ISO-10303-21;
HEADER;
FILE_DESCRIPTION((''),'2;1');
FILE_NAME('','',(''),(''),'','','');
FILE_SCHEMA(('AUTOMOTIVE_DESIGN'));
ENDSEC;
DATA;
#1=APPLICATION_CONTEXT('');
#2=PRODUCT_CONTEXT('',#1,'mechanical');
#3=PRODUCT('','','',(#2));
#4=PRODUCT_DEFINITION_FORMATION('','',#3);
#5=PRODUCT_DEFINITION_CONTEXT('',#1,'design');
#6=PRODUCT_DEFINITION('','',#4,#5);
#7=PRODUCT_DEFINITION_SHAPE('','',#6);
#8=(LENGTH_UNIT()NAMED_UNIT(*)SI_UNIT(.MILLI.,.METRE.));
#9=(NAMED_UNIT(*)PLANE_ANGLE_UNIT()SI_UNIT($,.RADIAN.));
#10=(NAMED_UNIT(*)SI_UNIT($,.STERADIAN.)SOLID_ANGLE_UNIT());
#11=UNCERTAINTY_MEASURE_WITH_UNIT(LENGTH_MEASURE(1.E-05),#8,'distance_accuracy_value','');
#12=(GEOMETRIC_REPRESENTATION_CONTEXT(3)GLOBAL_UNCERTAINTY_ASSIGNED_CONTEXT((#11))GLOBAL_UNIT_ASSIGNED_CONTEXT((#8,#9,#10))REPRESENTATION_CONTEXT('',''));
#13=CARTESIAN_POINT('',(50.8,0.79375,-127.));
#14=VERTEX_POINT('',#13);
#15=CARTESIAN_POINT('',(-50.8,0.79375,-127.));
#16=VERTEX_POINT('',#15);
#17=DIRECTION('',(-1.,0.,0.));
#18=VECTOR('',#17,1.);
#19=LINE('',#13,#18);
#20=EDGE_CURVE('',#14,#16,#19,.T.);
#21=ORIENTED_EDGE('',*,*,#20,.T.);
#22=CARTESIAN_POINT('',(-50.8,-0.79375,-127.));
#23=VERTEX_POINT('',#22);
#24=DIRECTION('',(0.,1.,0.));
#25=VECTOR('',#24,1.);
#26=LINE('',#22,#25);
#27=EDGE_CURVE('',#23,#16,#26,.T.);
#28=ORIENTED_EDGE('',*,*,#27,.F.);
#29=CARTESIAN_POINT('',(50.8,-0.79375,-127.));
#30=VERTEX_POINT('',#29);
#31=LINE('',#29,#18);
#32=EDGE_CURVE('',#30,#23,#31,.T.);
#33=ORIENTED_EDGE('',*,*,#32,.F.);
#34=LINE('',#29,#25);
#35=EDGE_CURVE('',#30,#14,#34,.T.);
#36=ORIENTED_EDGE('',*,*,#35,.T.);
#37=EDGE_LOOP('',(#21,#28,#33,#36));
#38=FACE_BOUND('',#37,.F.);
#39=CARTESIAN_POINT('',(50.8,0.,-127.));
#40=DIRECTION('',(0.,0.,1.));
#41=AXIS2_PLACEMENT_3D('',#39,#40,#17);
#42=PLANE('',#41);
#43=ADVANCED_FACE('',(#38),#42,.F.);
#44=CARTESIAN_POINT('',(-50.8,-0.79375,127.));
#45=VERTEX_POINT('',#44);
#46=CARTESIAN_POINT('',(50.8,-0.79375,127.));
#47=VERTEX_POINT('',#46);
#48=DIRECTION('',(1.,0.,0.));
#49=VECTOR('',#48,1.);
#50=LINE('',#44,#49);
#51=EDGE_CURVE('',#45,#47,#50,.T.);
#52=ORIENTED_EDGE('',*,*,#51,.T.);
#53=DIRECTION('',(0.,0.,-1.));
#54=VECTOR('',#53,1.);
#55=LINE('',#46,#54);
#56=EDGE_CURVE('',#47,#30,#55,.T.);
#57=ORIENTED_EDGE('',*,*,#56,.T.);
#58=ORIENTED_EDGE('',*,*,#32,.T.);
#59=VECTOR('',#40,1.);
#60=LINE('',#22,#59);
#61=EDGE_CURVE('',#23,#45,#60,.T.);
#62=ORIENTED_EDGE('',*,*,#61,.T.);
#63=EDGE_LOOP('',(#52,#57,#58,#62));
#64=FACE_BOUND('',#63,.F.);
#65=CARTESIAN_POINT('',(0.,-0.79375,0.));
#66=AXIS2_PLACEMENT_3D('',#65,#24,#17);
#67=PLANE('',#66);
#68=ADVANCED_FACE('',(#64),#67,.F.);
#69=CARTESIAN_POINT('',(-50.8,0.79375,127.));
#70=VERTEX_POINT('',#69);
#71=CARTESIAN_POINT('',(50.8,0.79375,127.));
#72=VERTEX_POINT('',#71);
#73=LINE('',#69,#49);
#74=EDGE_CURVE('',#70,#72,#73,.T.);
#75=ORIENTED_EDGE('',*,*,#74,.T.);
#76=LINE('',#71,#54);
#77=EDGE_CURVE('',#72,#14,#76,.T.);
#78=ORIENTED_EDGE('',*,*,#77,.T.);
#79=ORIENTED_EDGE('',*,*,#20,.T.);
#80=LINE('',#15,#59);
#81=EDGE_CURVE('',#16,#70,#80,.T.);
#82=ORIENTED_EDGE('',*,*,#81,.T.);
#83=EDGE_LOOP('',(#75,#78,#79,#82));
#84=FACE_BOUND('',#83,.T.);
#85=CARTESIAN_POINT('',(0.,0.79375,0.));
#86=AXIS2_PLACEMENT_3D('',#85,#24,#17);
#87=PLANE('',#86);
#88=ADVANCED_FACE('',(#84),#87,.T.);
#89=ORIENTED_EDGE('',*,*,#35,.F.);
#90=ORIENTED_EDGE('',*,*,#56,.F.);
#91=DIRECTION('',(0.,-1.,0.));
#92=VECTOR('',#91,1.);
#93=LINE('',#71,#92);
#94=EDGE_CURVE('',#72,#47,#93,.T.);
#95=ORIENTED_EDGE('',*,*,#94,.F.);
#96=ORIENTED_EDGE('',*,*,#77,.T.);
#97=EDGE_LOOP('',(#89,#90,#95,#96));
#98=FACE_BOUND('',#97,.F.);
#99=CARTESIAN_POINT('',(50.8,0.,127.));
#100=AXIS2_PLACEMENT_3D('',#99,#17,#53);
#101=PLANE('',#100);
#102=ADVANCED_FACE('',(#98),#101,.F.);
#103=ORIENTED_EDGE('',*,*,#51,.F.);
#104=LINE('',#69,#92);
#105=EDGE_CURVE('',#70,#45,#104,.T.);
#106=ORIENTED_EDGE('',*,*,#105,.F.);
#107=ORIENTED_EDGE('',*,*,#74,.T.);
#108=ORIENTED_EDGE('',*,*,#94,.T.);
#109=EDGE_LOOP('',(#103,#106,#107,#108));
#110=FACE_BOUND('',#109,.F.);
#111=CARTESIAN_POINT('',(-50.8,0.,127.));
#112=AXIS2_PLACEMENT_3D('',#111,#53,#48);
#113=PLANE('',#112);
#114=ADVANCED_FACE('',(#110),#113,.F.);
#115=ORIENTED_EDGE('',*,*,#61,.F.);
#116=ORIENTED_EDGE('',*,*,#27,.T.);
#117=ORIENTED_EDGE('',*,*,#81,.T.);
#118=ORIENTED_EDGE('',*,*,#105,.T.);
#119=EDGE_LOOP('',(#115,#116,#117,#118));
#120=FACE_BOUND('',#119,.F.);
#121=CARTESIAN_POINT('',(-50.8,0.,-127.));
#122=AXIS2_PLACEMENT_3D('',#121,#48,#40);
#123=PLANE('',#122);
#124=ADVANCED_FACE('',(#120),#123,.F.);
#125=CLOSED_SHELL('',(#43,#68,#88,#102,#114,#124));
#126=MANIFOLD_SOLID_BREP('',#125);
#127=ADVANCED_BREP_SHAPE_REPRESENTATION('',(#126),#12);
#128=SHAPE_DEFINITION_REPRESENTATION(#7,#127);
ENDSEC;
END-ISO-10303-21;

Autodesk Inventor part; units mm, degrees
ref_plane "YZ Plane" through (0, 0, 0) normal (1, 0, 0) x (0, 1, 0)
ref_plane "XZ Plane" through (0, 0, 0) normal (0, 1, 0) x (-1, 0, 0)
ref_plane "XY Plane" through (0, 0, 0) normal (0, 0, 1) x (1, 0, 0)
sketch "Sketch1" plane through (0, 0, 0) normal (0, 1, 0) x (-1, 0, 0)
  line L0 (-50.8, -127) -> (50.8, -127)
  line L1 (50.8, -127) -> (50.8, 127)
  line L2 (50.8, 127) -> (-50.8, 127)
  line L3 (-50.8, 127) -> (-50.8, -127)
  point P0 (0, 0)
  dimension "d0" = 101.6
  dimension "d1" = 254
extrude "Extrusion1" add sketch "Sketch1" along normal mid plane 1.5875
properties part number "polycarb10x4" material "Polycarbonate, Clear"
